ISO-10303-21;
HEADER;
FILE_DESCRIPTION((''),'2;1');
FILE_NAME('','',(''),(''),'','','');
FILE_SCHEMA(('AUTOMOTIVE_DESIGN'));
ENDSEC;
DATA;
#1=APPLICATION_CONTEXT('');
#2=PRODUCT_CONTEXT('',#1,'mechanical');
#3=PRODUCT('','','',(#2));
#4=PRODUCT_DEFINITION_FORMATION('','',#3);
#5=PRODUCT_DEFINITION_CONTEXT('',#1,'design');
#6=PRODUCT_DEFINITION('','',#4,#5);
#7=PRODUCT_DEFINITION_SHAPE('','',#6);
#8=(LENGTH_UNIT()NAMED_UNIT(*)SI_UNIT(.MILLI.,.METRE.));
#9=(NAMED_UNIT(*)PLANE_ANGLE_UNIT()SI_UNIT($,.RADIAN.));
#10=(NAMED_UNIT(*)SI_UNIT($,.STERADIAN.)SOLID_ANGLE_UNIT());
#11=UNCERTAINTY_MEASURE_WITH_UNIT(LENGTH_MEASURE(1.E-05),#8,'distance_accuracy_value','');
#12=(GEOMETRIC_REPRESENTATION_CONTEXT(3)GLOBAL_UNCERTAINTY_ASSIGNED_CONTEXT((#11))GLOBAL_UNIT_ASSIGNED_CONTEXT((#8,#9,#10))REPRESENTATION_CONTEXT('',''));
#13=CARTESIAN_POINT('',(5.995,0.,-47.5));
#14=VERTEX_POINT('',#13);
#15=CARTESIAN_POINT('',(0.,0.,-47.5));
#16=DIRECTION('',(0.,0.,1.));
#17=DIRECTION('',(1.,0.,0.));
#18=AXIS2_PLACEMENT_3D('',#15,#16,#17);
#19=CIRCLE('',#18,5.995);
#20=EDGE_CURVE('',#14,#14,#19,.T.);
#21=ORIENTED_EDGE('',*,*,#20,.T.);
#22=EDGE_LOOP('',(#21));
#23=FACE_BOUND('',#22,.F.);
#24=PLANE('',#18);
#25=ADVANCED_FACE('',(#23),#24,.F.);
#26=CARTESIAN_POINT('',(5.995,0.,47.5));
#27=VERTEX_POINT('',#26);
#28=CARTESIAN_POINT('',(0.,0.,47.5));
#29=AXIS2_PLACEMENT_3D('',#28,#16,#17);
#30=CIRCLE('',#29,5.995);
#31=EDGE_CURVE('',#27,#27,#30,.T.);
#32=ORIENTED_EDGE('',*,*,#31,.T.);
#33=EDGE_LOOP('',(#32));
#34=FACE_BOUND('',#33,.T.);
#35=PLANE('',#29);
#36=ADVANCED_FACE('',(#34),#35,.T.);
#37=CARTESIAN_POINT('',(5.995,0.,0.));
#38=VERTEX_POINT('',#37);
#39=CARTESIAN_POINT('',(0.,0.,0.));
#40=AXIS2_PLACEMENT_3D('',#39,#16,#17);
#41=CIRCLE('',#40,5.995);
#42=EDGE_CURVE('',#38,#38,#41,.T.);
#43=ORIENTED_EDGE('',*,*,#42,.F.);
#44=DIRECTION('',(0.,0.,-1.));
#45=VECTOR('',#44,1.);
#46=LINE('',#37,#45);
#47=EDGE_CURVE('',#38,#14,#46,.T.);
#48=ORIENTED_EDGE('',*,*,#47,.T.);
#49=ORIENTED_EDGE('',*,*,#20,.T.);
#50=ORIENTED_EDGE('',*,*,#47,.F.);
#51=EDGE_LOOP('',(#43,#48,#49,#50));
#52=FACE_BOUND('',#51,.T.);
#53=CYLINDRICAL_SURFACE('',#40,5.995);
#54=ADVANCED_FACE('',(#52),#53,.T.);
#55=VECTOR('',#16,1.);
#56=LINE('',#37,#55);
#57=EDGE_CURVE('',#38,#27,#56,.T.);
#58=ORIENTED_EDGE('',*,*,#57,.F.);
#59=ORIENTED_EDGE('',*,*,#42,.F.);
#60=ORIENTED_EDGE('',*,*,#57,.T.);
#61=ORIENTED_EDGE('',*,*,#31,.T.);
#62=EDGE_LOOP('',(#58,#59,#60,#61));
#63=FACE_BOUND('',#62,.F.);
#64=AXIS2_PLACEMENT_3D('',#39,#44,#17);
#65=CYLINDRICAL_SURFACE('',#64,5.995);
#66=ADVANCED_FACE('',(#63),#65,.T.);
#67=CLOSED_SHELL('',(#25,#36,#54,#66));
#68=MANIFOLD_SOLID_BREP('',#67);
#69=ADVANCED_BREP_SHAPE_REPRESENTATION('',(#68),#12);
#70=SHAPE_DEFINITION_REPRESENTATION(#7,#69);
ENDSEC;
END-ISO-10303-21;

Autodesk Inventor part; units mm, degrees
ref_plane "YZ Plane" through (0, 0, 0) normal (1, 0, 0) x (0, 1, 0)
ref_plane "XZ Plane" through (0, 0, 0) normal (0, 1, 0) x (-1, 0, 0)
ref_plane "XY Plane" through (0, 0, 0) normal (0, 0, 1) x (1, 0, 0)
sketch "Esboço1" plane through (0, 0, 0) normal (0, 0, 1) x (1, 0, 0)
  circle A0 centre (0, 0) radius 5.995
  dimension "d0" = 11.99
extrude "Extrusão1" add sketch "Esboço1" along normal mid plane 95
equation "\"Raio_vergadura\" = Espessura"
equation "\"Largura_alívio_de_vergadura\" = Espessura"
equation "\"Profundidade_alívio_de_vergadura\" = 0.5 * Espessura"
equation "\"Tamanho_alívio_de_dobra\" = 4 * Espessura"
equation "\"Remanescente_mínimo\" = 2 * Espessura"
equation "\"Raiodetransição\" = Raio_vergadura"
equation "\"Tamanho_de_raio_de_Jacobi\" = Espessura"
equation "\"TamanhoFolga\" = Espessura"
equation "\"Espessura\" = 0.5"
properties part number "guia_linear_12mm_150mm" material "Aço inoxidável"
